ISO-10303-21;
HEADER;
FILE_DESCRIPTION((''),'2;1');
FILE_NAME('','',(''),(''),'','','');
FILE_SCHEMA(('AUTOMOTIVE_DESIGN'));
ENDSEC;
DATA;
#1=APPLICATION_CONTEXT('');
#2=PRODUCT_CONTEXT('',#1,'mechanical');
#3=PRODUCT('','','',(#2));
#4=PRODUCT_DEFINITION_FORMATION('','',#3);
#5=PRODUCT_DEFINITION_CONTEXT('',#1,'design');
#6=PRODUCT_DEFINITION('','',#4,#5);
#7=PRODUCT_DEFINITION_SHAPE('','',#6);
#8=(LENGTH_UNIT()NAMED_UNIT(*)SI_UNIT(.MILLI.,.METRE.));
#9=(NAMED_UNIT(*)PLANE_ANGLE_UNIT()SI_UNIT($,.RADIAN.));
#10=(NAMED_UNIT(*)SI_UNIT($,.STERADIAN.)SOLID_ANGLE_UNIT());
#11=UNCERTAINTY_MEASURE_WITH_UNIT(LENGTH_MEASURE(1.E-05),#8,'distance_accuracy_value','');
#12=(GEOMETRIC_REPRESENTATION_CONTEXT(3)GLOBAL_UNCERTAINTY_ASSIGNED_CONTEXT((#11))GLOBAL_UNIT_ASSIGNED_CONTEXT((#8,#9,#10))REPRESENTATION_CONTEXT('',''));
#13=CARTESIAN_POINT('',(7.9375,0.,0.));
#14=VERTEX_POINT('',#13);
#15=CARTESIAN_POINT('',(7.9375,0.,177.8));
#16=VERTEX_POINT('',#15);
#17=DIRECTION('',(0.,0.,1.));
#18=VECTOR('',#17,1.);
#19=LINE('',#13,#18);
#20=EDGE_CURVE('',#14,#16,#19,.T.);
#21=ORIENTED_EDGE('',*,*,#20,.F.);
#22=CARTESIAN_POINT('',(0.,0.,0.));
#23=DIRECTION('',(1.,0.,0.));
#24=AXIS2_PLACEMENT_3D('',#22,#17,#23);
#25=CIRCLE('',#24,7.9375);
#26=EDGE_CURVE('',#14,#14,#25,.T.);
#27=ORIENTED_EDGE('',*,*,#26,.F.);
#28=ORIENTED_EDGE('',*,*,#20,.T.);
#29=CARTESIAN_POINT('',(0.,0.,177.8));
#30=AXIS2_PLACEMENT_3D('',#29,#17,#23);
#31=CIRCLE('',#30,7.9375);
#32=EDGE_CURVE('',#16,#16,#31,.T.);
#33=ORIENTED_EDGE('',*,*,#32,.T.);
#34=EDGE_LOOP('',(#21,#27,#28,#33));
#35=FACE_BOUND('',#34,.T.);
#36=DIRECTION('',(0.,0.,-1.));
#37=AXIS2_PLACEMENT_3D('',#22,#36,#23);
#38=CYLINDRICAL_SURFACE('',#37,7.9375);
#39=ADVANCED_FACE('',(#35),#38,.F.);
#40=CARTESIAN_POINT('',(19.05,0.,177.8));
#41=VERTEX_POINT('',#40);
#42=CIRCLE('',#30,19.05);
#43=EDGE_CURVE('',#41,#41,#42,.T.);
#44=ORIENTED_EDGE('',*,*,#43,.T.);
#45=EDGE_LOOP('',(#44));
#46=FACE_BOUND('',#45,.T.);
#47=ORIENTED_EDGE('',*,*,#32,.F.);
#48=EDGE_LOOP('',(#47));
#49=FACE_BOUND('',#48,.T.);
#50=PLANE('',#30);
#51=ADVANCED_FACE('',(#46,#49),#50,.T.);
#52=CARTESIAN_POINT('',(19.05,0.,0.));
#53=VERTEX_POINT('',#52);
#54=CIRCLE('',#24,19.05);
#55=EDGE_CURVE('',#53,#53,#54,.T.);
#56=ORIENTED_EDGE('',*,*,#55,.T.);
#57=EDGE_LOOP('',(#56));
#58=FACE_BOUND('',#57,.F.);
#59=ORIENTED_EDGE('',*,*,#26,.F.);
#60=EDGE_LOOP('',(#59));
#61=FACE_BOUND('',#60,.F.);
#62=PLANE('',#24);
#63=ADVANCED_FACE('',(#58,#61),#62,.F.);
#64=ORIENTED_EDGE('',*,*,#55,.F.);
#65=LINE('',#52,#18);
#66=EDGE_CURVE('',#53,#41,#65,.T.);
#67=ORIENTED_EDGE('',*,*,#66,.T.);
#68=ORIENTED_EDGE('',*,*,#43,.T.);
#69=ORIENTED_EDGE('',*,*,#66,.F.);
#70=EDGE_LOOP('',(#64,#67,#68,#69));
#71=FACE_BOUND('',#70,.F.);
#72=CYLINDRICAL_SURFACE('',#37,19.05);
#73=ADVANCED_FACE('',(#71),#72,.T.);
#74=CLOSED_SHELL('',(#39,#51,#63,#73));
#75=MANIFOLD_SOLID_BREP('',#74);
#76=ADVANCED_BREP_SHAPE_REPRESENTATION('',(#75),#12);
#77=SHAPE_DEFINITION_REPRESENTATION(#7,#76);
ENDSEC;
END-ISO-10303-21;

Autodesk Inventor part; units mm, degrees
ref_plane "YZ Plane" through (0, 0, 0) normal (1, 0, 0) x (0, 1, 0)
ref_plane "XZ Plane" through (0, 0, 0) normal (0, 1, 0) x (-1, 0, 0)
ref_plane "XY Plane" through (0, 0, 0) normal (0, 0, 1) x (1, 0, 0)
sketch "Sketch1" plane through (0, 0, 0) normal (0, 0, 1) x (1, 0, 0)
  circle A0 centre (0, 0) radius 19.05
  circle A1 centre (0, 0) radius 7.9375
  dimension "d0" = 38.1
  dimension "d1" = 15.875
extrude "Extrusion1" add sketch "Sketch1" along normal blind 177.8
properties part number "Conveyor_Roller_Cross" material "High Density Polyethylene"
